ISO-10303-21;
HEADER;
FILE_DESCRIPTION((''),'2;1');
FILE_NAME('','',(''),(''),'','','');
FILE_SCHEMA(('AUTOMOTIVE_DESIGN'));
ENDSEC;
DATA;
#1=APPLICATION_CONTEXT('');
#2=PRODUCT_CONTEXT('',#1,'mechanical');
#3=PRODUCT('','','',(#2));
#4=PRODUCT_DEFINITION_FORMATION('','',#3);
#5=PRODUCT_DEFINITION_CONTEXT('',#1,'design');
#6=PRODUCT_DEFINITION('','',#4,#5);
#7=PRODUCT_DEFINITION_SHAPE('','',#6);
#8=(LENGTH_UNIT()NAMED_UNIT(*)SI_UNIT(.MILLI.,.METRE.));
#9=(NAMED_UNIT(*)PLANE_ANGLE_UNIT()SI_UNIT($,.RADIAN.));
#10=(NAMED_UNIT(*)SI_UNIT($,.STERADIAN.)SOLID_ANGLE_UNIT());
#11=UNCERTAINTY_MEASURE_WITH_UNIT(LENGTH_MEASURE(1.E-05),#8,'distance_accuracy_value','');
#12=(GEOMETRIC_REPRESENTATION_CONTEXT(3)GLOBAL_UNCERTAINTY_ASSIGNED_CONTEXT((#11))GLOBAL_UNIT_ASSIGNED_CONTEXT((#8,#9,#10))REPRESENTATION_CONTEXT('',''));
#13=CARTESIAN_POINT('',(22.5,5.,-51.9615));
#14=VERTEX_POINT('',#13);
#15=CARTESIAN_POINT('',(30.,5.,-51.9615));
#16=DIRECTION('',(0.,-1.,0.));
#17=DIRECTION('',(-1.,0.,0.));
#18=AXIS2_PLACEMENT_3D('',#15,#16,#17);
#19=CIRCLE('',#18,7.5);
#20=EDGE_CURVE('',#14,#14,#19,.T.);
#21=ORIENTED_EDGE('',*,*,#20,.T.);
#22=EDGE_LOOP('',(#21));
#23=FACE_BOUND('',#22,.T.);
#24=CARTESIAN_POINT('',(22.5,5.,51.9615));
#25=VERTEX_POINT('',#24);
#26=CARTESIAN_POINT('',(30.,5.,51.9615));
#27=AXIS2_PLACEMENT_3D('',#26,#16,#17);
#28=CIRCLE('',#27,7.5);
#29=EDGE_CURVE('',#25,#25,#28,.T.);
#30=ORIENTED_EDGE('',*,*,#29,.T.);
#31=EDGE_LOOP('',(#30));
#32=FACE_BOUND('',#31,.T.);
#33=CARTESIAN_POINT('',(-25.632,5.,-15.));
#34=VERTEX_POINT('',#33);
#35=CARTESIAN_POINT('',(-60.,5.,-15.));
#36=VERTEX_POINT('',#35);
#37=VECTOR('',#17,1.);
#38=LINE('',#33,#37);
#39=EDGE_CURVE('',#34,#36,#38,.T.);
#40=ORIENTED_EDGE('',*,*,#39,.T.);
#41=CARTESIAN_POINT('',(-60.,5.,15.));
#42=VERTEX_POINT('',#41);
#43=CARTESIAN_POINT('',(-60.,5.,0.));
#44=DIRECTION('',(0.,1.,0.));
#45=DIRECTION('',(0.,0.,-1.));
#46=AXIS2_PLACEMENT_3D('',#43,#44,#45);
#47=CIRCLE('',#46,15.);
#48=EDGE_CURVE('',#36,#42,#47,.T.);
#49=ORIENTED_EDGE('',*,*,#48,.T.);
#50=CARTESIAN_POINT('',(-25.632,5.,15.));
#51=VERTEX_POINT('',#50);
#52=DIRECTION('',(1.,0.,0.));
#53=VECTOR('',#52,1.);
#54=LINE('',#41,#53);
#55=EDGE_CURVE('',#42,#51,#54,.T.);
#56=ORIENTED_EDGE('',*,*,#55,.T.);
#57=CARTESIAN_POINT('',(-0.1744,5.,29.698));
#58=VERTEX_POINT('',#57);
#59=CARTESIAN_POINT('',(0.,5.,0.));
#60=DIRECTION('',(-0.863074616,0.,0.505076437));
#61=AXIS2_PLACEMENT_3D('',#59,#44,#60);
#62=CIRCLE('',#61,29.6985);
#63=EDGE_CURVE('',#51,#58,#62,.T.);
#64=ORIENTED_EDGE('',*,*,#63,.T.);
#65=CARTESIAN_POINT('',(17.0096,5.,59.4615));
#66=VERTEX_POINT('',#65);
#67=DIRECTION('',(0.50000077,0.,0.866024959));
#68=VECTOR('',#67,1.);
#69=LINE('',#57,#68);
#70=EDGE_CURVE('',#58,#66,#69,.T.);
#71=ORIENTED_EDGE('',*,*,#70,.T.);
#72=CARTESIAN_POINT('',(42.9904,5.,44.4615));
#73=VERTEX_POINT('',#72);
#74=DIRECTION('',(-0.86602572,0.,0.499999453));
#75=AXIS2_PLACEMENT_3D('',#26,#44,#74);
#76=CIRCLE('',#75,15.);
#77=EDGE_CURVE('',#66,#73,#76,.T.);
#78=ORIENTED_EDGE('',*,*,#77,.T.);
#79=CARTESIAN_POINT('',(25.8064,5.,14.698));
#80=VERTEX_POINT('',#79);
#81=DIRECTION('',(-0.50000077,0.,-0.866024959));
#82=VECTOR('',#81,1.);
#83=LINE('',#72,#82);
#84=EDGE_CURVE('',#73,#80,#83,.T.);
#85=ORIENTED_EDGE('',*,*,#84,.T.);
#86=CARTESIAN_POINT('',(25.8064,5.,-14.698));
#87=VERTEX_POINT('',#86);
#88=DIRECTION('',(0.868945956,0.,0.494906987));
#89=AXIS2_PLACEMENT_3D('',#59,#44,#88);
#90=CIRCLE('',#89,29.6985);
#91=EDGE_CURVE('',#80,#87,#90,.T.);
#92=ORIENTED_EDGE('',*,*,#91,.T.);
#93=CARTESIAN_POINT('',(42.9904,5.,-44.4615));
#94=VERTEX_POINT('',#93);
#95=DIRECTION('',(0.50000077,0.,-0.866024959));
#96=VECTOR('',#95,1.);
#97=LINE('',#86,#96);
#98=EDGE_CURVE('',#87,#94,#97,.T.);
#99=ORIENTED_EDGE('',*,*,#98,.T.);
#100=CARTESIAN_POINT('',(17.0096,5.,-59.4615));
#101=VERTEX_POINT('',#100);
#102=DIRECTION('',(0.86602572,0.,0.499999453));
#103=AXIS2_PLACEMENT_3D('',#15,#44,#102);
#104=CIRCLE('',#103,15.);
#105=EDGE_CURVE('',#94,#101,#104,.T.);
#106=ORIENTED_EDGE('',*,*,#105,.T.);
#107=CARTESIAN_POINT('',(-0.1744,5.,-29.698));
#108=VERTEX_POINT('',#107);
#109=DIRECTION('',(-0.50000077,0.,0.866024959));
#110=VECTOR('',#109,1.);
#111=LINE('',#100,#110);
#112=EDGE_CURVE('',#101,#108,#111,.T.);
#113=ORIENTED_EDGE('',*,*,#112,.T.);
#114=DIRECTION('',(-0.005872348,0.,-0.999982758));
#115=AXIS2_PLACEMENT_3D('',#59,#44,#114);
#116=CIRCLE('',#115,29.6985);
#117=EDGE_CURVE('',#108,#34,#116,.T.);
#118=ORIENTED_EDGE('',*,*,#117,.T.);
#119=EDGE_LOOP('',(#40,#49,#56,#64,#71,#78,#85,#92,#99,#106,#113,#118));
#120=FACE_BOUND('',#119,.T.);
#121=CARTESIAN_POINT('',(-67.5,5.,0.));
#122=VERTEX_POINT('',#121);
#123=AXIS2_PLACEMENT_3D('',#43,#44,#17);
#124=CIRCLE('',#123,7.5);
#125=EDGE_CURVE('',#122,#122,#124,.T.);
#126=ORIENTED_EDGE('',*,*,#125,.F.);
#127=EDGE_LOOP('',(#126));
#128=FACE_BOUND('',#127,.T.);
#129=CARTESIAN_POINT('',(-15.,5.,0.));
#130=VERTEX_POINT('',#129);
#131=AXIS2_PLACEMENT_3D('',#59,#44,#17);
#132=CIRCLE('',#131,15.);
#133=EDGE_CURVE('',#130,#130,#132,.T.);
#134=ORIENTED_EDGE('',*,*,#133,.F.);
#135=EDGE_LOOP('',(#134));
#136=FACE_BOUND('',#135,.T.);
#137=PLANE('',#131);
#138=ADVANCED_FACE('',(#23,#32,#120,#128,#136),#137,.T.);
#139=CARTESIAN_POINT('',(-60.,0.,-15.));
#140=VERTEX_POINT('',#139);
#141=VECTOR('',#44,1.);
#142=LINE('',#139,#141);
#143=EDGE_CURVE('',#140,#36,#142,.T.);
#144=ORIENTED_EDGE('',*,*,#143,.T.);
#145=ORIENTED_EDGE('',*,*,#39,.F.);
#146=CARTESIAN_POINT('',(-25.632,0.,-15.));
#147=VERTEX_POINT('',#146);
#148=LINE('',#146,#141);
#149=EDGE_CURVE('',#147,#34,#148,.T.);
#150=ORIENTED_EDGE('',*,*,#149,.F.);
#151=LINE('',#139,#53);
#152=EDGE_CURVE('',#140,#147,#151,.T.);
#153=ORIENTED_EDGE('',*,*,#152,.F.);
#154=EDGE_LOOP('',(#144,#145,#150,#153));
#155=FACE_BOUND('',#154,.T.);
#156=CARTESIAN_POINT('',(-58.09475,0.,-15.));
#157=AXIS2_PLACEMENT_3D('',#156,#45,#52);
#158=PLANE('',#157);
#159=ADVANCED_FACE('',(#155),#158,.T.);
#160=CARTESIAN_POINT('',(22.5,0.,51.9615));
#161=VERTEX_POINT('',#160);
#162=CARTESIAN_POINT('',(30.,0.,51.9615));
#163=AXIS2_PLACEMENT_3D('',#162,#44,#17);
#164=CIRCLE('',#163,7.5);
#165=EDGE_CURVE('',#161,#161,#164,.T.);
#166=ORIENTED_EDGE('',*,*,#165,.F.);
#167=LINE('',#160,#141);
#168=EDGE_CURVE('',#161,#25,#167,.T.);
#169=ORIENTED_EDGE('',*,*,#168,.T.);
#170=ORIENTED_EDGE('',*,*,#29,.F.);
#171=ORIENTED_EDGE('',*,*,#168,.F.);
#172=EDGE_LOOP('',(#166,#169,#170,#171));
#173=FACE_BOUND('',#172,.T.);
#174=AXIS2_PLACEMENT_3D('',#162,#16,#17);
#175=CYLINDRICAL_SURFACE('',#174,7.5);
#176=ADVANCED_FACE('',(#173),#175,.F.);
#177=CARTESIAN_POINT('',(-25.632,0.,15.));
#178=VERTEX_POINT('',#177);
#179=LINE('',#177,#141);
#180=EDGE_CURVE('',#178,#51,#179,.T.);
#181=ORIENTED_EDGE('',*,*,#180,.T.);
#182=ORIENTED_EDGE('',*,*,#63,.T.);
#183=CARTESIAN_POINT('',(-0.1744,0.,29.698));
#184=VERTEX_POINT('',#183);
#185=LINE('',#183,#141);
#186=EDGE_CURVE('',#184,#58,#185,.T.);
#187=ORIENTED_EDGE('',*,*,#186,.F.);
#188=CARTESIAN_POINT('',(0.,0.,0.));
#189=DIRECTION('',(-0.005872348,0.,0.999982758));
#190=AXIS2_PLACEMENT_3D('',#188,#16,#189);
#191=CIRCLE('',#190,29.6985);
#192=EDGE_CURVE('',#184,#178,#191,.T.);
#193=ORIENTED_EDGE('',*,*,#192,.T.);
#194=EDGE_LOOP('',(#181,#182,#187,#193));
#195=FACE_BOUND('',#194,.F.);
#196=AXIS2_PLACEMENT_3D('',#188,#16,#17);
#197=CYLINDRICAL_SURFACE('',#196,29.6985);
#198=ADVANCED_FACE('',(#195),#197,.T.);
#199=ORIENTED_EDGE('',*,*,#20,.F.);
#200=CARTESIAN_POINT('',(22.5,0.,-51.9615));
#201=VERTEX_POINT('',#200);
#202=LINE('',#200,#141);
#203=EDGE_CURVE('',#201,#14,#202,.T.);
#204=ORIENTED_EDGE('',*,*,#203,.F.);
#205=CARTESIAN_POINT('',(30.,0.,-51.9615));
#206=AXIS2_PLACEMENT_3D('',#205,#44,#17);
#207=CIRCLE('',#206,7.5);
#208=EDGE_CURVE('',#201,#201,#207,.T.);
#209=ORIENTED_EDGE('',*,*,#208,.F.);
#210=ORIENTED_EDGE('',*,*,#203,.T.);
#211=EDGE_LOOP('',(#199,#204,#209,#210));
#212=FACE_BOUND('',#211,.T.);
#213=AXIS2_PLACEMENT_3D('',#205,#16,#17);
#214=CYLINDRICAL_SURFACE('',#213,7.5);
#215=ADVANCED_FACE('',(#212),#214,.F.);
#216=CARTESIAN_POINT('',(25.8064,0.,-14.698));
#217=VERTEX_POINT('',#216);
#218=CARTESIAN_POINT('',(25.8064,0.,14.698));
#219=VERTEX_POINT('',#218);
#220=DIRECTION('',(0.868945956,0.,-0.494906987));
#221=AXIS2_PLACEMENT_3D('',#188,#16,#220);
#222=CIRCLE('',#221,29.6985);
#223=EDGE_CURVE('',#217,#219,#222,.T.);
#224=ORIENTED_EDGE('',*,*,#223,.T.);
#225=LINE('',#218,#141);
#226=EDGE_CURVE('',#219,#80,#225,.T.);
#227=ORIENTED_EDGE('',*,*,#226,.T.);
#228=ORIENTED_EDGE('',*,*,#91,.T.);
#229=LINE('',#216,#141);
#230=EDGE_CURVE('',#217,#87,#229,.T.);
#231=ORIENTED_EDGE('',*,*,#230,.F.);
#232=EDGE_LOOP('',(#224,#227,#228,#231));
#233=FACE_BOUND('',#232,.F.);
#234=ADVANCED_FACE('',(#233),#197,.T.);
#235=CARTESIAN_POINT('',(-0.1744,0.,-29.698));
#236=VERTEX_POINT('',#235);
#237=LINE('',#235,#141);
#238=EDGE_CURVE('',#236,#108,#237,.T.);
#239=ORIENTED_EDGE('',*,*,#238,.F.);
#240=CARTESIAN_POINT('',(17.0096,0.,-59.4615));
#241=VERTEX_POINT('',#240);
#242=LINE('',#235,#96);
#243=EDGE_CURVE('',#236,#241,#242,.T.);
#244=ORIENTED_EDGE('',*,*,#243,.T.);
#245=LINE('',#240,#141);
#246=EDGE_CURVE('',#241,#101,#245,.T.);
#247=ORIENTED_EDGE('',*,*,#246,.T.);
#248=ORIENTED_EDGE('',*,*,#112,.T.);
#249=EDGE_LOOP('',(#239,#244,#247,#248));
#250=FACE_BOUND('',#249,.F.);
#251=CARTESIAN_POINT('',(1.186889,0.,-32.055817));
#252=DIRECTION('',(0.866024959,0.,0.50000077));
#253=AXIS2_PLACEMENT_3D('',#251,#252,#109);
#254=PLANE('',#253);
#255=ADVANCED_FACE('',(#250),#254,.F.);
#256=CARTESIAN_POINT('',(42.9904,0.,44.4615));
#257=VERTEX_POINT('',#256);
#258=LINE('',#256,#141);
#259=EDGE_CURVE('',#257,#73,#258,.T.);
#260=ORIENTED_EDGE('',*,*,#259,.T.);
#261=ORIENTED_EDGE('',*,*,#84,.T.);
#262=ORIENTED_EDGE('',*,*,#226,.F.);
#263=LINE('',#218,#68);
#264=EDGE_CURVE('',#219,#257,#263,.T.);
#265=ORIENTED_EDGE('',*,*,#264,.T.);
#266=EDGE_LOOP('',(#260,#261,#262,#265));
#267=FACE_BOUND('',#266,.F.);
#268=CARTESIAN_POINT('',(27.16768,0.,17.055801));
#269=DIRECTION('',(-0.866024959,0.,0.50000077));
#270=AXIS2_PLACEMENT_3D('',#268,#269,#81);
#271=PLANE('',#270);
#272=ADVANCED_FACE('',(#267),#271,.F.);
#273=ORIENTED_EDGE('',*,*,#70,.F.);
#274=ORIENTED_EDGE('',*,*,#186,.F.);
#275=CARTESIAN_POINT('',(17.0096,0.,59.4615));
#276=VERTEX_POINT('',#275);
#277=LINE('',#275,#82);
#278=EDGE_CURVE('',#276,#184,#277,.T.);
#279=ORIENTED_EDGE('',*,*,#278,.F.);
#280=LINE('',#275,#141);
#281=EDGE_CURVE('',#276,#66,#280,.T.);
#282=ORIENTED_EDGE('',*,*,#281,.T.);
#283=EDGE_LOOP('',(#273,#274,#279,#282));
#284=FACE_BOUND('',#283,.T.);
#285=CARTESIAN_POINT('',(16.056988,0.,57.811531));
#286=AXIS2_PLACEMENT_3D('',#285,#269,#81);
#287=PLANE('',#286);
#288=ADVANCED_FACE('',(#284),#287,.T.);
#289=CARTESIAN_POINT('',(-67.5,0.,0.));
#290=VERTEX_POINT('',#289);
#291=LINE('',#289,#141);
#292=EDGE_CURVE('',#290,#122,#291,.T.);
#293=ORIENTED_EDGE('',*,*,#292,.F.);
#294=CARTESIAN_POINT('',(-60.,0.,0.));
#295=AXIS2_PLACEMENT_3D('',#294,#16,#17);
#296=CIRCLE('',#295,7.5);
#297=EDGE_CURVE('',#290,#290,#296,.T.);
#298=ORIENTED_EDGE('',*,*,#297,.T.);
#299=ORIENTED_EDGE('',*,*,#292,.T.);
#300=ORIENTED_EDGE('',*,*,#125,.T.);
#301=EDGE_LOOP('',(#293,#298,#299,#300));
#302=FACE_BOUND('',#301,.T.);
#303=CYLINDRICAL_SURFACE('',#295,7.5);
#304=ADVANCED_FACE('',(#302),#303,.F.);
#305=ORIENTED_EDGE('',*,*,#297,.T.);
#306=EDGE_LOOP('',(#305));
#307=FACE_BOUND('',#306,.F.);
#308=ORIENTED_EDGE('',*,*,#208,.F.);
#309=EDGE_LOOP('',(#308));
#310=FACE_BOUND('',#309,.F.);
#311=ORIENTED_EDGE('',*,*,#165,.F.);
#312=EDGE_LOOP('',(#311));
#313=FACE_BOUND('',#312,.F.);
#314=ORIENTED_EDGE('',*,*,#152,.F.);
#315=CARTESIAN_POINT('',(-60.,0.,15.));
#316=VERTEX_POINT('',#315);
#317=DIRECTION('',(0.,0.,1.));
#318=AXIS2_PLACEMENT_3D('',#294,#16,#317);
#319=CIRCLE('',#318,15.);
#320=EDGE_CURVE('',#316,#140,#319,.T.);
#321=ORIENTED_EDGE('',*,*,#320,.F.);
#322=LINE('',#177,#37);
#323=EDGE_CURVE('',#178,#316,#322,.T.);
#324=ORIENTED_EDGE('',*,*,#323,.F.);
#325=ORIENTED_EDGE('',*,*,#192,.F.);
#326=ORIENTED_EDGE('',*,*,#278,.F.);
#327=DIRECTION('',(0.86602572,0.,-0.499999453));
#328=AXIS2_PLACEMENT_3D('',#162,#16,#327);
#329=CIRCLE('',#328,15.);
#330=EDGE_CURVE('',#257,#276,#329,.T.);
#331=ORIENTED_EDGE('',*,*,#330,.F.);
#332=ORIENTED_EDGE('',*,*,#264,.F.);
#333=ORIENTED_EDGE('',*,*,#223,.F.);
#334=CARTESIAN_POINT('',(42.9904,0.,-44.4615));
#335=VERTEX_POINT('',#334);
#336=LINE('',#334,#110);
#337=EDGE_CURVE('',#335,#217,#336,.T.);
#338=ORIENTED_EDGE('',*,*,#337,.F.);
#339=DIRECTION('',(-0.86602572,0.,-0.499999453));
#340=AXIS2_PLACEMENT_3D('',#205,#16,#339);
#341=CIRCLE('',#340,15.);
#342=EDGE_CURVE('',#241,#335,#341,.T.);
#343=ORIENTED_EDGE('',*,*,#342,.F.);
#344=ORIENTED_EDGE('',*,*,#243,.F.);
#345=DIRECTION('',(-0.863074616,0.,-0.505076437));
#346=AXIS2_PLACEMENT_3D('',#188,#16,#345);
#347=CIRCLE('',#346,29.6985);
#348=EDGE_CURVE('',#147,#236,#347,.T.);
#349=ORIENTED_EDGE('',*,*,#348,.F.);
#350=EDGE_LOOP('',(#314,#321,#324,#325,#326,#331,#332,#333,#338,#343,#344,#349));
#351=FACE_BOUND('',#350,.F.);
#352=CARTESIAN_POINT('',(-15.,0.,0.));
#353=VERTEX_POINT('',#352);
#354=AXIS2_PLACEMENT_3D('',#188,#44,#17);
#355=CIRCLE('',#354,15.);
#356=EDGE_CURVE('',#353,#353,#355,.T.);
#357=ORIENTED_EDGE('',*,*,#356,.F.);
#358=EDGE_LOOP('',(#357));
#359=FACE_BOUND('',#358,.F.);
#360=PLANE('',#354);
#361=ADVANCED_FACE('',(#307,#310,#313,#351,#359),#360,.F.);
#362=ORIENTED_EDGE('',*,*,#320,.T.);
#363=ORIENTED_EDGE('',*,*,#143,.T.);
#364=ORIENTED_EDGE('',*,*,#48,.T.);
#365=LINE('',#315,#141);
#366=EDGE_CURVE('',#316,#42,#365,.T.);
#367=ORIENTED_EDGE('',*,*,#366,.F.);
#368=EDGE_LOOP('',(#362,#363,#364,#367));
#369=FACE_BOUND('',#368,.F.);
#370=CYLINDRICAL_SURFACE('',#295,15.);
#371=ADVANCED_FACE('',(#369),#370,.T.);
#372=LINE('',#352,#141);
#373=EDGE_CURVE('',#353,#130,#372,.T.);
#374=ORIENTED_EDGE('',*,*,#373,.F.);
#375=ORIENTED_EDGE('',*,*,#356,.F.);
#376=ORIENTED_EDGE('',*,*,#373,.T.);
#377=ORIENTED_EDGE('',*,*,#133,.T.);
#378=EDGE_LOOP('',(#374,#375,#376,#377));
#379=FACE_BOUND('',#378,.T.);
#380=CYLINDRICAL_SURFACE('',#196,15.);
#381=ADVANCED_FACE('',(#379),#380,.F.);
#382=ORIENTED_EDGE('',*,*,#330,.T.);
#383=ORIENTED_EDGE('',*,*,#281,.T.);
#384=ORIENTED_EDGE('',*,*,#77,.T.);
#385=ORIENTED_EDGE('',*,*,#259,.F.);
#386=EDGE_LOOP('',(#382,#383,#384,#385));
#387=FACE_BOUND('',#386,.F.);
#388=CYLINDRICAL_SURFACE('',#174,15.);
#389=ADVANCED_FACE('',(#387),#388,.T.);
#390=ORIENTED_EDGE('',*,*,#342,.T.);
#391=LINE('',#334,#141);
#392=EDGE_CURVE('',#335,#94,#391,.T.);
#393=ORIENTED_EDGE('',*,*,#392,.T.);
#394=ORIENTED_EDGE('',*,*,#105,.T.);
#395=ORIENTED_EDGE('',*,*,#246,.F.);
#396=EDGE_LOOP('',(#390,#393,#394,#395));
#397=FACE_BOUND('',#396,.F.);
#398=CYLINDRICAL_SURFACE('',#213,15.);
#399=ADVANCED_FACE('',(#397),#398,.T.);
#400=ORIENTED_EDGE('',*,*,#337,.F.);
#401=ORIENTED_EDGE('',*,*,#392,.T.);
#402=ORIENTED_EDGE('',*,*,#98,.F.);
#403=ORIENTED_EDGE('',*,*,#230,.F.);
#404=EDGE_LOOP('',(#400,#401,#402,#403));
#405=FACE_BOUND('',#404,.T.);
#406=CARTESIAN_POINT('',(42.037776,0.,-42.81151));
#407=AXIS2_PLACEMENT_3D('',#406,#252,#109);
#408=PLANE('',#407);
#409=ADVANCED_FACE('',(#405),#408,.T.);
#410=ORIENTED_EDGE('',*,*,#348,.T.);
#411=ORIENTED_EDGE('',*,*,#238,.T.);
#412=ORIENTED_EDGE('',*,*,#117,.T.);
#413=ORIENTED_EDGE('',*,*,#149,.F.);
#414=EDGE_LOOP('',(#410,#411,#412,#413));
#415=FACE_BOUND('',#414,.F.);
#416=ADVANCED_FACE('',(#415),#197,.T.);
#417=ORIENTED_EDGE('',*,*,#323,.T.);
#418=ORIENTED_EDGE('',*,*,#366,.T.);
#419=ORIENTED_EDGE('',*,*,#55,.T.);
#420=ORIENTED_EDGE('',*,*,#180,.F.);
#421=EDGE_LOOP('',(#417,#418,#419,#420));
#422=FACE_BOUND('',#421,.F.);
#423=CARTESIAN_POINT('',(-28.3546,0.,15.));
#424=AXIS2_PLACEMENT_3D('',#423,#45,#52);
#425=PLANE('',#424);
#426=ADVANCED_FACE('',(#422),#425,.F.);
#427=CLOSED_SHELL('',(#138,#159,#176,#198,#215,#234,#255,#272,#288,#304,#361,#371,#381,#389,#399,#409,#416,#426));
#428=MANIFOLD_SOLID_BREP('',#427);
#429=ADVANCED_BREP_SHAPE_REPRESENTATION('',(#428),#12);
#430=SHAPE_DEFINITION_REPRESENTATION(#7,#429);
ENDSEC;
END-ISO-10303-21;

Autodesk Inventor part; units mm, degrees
ref_plane "YZ Plane" through (0, 0, 0) normal (1, 0, 0) x (0, 1, 0)
ref_plane "XZ Plane" through (0, 0, 0) normal (0, 1, 0) x (-1, 0, 0)
ref_plane "XY Plane" through (0, 0, 0) normal (0, 0, 1) x (1, 0, 0)
sketch "Sketch1" plane through (0, 0, 0) normal (0, 1, 0) x (-1, 0, 0)
  circle A0 centre (0, 0) radius 60
  circle A1 centre (60, 0) radius 7.5
  circle A2 centre (-30, 51.9615) radius 7.5
  circle A3 centre (-30, -51.9615) radius 7.5
  circle A4 centre (-30, 51.9615) radius 15
  circle A5 centre (-30, -51.9615) radius 15
  circle A6 centre (60, 0) radius 15
  line L0 (21, -21) -> (-21, -21)
  line L1 (-21, -21) -> (-21, 21)
  line L2 (-21, 21) -> (21, 21)
  line L3 (21, 21) -> (21, -21)
  line L4 (21, -21) -> (-21, 21) construction
  line L5 (-21, -21) -> (21, 21) construction
  line L6 (67.5, 12.9904) -> (-22.5, 64.9519)
  line L7 (67.5, -12.9904) -> (-22.5, -64.9519)
  line L8 (-45, 51.9615) -> (-45, -51.9615)
  circle A7 centre (0, 0) radius 15
  line L9 (67.5, 12.9904) -> (21, 39.8372)
  line L10 (60, 15) -> (25.632, 15)
  line L11 (60, -15) -> (25.632, -15)
  circle A8 centre (0, 0) radius 29.6985
  circle A9 centre (28.3546, 20) radius 5
  circle A10 centre (28.3546, -20) radius 5
  circle A11 centre (-31.4978, 14.5558) radius 5
  line L12 (-42.9904, 44.4615) -> (-25.8064, 14.698)
  line L13 (-17.0096, 59.4615) -> (0.1744, 29.698)
  circle A12 centre (3.1432, 34.5558) radius 5
  circle A13 centre (3.1432, -34.5558) radius 5
  line L14 (-17.0096, -59.4615) -> (0.1744, -29.698)
  line L15 (-42.9904, -44.4615) -> (-25.8064, -14.698)
  circle A14 centre (-31.4978, -14.5558) radius 5
  point P0 (16, -16)
  point P1 (16, 16)
  point P2 (-16, 16)
  point P3 (-16, -16)
  point P4 (-16.174, 57.7789)
  point P5 (-41.951, 42.8966)
  point P6 (-42.0378, 42.8115)
  point P7 (-25.8064, 14.698)
  point P8 (-25.8064, -14.698)
  point P9 (-42.0378, -42.8115)
  point P10 (-41.951, -42.8966)
  point P11 (-16.174, -57.7789)
  point P12 (-16.057, -57.8115)
  point P13 (58.0948, -15)
  point P14 (58.125, -14.8824)
  point P15 (58.125, 14.8824)
  point P16 (58.0948, 15)
  point P17 (-16.057, 57.8115)
  dimension "d0" = 120
  dimension "d2" = 15
  dimension "d5" = 360
  dimension "d7" = 30
  dimension "d8" = 30
  dimension "d9" = 30
  dimension "d10" = 42
  dimension "d11" = 42
  dimension "d12" = 30
  dimension "d13" = 32
  dimension "d14" = 16
  dimension "d15" = 16
  dimension "d16" = 32
  dimension "d17" = 10
  dimension "d18" = 10
  dimension "d21" = 360
extrude "Extrusion1" add sketch "Sketch1" along normal blind 5 contours A1 A0 A6 | A0 A6 A1 | A6 A0 L11 A8 L10 | A0 L10 A6 | A6 L11 A0 | A8 L3 | L13 A8 L12 A0 A4 | A0 A4 L13 | A4 A0 A2 | L3 L0 L1 L2 | L2 A8 | L14 A5 A0 | A0 A5 L15 A8 L14 | A5 A0 A3 | A8 L0 | A4 A0 A2 | L1 A8 | A0 A3 A5 | A4 A0 L12 | L15 A0 A5
properties part number "De_2" material "Aluminum 6061"
